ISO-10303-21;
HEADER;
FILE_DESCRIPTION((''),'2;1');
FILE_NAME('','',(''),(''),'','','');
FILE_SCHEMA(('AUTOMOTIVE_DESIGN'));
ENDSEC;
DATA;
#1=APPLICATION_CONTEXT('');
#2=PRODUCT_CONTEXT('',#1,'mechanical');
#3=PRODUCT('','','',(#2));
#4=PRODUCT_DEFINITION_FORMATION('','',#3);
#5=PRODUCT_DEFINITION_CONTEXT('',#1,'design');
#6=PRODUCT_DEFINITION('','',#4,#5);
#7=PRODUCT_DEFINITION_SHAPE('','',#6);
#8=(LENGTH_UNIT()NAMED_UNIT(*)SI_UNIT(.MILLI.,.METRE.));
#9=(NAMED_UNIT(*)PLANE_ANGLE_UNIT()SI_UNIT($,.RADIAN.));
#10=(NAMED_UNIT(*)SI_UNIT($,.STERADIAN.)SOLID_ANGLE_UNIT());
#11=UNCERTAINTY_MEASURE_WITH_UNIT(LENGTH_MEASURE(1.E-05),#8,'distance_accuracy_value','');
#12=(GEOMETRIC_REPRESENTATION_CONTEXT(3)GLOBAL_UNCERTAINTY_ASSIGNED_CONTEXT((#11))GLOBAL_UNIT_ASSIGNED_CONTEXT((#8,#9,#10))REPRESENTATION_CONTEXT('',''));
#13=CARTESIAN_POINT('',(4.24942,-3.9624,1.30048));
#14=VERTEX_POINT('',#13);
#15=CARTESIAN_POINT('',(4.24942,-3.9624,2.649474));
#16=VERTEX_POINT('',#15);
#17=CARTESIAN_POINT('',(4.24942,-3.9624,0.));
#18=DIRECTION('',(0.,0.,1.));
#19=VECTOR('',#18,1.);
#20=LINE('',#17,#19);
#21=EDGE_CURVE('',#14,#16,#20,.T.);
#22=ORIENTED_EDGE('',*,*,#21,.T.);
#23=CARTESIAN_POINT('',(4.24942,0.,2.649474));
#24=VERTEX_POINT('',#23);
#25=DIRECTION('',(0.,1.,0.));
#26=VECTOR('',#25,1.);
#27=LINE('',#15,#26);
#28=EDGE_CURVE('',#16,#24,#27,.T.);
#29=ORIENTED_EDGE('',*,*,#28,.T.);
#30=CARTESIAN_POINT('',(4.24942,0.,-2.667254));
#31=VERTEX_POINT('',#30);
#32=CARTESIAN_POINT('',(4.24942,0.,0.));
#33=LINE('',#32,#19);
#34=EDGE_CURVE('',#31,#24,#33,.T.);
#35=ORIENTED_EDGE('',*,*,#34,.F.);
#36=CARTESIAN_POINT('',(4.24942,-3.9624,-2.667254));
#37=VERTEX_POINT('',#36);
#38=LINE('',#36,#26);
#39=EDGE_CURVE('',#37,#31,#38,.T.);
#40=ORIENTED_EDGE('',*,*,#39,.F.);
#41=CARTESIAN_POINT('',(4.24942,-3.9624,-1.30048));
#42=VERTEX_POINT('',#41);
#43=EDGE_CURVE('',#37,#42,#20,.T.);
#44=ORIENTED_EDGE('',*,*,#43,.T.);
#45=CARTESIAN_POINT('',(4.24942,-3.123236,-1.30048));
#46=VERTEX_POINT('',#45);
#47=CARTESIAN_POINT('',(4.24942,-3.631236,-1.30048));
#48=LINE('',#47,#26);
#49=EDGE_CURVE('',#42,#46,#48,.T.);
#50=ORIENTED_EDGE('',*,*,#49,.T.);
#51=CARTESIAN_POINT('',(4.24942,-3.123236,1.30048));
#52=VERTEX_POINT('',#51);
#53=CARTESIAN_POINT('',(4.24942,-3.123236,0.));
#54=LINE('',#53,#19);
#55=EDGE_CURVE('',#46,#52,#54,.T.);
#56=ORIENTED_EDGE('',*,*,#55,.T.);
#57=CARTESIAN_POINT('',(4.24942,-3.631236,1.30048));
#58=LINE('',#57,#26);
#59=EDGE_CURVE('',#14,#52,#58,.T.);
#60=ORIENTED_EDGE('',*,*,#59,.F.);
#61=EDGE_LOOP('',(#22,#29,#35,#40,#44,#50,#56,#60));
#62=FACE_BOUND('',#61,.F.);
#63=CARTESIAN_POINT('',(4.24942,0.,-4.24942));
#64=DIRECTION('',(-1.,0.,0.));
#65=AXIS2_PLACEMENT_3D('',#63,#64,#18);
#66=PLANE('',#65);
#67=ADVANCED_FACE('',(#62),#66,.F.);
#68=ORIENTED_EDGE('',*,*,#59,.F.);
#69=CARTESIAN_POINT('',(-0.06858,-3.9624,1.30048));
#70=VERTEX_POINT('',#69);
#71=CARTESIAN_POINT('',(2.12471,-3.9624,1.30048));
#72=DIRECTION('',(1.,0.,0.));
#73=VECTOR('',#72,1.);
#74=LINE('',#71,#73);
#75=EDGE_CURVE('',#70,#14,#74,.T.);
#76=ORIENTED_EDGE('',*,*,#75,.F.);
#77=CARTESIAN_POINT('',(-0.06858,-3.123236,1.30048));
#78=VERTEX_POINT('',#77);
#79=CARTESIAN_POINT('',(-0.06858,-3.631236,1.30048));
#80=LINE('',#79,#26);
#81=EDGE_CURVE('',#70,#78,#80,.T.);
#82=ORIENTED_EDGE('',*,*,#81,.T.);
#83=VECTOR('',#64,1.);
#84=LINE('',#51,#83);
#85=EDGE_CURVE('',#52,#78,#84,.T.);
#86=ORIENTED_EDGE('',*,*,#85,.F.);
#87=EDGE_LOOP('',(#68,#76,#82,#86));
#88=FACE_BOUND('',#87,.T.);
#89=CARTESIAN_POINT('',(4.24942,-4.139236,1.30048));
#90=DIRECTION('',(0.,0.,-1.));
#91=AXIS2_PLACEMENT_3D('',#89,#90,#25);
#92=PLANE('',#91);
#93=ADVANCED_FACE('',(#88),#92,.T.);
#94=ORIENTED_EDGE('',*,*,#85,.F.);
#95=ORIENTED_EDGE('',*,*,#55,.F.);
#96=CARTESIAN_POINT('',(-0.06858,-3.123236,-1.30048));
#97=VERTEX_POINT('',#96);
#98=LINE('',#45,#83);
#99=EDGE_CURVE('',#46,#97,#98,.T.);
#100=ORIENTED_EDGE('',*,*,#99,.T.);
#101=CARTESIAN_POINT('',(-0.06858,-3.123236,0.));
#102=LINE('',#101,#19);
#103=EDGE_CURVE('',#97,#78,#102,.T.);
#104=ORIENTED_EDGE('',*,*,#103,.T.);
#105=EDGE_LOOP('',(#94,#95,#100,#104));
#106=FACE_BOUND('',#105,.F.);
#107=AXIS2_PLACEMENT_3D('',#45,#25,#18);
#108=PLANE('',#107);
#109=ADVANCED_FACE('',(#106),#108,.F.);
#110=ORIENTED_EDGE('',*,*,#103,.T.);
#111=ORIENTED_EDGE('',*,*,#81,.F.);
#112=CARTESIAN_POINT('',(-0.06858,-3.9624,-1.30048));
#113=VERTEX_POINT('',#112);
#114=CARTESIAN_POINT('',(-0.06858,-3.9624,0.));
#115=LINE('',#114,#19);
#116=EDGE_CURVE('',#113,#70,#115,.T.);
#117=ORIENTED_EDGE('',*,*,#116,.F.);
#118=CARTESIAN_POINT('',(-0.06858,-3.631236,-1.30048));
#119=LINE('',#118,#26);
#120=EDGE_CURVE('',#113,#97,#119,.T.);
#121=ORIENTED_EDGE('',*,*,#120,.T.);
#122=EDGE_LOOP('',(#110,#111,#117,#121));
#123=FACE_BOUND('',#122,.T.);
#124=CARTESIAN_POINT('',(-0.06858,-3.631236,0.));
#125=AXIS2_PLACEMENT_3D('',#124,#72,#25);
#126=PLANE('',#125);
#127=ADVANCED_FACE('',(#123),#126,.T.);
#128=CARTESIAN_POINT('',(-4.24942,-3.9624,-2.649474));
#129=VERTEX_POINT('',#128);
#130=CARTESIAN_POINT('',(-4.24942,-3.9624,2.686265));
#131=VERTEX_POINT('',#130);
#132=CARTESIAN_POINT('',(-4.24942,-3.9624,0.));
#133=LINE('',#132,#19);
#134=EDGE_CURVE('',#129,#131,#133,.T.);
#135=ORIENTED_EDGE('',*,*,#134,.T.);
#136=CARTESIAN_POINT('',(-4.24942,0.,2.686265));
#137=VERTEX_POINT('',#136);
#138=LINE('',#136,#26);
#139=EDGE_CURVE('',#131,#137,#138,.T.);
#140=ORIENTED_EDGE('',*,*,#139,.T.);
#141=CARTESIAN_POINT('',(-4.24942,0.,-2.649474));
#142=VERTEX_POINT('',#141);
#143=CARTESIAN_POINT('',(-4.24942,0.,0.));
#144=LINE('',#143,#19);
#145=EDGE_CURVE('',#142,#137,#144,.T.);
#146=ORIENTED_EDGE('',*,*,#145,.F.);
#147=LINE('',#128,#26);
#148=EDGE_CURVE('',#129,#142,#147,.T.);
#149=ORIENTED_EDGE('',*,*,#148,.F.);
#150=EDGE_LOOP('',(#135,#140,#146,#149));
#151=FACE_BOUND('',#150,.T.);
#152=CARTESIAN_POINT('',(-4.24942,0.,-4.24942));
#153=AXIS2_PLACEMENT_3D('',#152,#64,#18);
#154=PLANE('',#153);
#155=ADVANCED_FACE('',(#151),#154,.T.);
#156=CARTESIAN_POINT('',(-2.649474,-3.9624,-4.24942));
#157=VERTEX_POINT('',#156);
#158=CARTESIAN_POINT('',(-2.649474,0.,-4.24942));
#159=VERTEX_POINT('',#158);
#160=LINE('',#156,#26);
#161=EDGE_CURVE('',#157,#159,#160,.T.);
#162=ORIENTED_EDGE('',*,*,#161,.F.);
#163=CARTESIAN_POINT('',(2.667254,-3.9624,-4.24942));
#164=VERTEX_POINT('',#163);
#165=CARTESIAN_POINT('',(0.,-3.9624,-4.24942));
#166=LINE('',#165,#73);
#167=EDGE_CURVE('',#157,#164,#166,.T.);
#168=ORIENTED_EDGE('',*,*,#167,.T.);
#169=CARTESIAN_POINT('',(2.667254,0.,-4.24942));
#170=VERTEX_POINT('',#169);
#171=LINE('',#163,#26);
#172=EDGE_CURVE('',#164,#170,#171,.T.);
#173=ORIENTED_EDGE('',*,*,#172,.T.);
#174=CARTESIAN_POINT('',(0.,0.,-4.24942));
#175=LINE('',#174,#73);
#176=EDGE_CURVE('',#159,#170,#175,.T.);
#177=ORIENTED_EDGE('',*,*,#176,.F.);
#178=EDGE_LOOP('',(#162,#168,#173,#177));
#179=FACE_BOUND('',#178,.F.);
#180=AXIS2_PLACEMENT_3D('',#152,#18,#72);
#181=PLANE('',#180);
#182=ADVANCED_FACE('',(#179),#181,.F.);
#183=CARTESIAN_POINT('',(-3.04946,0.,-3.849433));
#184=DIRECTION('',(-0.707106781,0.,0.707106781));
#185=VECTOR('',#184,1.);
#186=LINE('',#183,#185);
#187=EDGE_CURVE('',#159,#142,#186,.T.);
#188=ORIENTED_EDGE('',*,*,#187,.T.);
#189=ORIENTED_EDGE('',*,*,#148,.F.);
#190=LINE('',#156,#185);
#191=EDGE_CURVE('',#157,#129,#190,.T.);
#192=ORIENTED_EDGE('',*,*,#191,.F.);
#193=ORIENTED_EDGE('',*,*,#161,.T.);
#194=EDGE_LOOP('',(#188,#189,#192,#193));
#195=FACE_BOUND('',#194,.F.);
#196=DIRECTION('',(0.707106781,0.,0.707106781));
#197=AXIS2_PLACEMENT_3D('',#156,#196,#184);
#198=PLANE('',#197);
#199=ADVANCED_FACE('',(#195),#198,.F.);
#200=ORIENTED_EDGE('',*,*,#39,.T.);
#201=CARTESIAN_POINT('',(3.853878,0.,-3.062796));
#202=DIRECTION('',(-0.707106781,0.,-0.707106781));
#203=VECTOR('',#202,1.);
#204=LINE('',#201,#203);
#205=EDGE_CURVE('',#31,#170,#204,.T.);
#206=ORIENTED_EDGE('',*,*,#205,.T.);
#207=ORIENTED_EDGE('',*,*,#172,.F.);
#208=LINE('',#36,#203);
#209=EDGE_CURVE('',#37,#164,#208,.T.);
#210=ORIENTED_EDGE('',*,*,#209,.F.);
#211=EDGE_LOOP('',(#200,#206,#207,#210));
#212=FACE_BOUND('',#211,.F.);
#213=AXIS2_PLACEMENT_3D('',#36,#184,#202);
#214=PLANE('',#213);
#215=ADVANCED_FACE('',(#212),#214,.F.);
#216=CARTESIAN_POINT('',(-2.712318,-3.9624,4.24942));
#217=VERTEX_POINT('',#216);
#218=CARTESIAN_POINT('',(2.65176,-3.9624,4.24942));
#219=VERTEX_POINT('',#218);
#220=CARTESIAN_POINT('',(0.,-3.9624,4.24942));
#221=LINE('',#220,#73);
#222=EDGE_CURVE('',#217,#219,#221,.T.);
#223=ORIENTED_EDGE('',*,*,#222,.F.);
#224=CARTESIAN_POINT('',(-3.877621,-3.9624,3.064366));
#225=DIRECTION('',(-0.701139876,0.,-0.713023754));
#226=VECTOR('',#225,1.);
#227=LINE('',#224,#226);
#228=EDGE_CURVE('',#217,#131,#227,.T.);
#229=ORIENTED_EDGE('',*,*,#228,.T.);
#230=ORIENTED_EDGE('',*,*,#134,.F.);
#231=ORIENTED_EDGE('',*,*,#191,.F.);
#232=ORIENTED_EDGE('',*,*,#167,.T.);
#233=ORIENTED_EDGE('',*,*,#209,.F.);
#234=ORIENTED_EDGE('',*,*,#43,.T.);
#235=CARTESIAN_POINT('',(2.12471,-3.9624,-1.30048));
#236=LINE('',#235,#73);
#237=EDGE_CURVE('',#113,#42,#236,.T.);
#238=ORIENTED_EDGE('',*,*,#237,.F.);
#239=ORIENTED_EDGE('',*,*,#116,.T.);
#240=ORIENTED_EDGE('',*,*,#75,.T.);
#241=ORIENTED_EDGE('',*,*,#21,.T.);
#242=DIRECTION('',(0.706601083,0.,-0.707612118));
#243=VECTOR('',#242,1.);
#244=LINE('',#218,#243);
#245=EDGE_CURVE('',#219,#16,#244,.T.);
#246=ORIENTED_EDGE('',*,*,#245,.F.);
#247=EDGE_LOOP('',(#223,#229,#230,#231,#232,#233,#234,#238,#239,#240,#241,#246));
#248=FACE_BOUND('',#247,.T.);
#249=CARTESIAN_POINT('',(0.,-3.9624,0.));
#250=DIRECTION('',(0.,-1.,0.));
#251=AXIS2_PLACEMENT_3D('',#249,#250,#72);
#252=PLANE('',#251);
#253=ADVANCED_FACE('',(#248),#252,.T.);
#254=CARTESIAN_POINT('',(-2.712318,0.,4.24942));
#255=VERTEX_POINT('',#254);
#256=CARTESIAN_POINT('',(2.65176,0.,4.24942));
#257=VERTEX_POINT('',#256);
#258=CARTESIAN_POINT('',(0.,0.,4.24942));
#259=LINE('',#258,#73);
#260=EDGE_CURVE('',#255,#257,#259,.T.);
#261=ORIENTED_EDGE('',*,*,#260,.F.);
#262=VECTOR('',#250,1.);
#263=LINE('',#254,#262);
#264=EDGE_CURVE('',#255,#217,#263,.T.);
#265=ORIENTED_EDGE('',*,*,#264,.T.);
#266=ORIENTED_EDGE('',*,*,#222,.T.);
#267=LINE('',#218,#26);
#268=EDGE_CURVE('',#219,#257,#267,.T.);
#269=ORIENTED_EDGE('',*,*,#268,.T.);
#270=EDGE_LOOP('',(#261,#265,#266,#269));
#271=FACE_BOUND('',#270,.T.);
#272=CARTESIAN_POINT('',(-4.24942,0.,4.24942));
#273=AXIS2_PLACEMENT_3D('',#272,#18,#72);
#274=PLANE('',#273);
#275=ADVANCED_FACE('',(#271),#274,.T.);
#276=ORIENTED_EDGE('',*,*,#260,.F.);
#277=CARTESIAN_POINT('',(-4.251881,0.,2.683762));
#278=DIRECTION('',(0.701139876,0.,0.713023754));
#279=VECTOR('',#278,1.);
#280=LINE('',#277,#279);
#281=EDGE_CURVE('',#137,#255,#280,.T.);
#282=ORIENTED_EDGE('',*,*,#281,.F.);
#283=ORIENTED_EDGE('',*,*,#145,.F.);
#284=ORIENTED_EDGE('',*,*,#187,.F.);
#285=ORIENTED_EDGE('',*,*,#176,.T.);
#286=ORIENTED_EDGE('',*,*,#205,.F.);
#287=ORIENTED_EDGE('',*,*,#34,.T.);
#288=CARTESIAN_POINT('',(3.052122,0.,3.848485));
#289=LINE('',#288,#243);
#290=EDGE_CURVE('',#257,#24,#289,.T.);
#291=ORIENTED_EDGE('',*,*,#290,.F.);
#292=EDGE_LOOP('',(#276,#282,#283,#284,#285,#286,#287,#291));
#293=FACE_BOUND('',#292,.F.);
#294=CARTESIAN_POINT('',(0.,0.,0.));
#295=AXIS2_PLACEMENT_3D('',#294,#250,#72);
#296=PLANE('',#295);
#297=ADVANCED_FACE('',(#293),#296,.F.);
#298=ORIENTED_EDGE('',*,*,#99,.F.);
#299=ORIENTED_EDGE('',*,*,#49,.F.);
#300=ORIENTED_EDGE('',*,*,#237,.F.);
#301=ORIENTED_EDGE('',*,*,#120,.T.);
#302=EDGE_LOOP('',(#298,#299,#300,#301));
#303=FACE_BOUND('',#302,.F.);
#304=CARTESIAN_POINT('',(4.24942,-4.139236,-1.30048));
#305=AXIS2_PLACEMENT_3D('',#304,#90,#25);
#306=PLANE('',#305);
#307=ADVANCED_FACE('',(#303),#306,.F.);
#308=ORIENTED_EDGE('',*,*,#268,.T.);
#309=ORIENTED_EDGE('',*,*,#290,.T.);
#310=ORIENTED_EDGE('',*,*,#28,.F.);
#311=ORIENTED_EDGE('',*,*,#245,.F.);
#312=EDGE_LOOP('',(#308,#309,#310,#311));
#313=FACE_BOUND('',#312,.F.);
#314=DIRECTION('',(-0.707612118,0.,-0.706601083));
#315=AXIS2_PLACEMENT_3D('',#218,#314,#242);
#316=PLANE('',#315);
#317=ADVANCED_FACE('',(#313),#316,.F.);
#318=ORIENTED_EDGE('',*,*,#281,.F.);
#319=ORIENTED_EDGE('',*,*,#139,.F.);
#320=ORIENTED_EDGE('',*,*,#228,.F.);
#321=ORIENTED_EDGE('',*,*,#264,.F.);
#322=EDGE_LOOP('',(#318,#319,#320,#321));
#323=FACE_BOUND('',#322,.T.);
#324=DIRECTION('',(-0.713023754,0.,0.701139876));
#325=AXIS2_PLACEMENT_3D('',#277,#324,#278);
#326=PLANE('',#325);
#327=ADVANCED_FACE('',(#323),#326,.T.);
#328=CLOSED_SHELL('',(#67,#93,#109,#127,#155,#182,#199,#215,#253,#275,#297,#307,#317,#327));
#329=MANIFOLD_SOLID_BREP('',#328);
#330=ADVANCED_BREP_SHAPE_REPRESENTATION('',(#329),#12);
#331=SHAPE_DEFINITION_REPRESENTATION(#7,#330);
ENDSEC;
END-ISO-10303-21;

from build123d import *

# Parameters (mm, degrees)
F0_W      = 8.49884
F0_H      = 8.49884
F2_DEPTH  = 3.9624
F3_DEPTH  = 4.2926
F5_DEPTH  = 4.572
F7_DEPTH  = 25.4
F9_DEPTH  = 25.4
F10_W     = 1.016
F10_H     = 2.60096
F11_DEPTH = 4.318


with BuildPart() as f2:
    # F0 (on Front) → F2 (new body)
    with BuildSketch(Plane.XZ):
        Rectangle(F0_W, F0_H)
    extrude(amount=F2_DEPTH)

    # F1 (on face) → F3 (cut)
    with BuildSketch(Plane.XZ):
        Polygon((-4.278509, 4.281422), (-4.251881, 2.683762), (-2.680849, 4.281422), align=None)
    extrude(amount=F3_DEPTH, mode=Mode.SUBTRACT)

    # F4 (on face) → F5 (cut)
    with BuildSketch(Plane.XZ.offset(3.9624)):
        Polygon((4.24942, 4.24942), (2.65176, 4.24942), (4.24942, 2.649474), align=None)
    extrude(amount=-F5_DEPTH, mode=Mode.SUBTRACT)

    # F6 (on face) → F7 (cut)
    with BuildSketch(Plane.XZ.offset(3.9624)):
        Polygon((-4.24942, -2.649474), (-4.24942, -4.24942), (-2.649474, -4.24942), align=None)
    extrude(amount=-F7_DEPTH, mode=Mode.SUBTRACT)

    # F8 (on face) → F9 (cut)
    with BuildSketch(Plane.XZ.offset(3.9624)):
        Polygon((2.667254, -4.24942), (4.24942, -4.24942), (4.24942, -2.667254), align=None)
    extrude(amount=-F9_DEPTH, mode=Mode.SUBTRACT)

    # F10 (on face) → F11 (cut)
    with BuildSketch(Plane.YZ.offset(4.24942)):
        with Locations((-3.631236, 0)):
            Rectangle(F10_W, F10_H)
    extrude(amount=-F11_DEPTH, mode=Mode.SUBTRACT)


solid = f2.part
